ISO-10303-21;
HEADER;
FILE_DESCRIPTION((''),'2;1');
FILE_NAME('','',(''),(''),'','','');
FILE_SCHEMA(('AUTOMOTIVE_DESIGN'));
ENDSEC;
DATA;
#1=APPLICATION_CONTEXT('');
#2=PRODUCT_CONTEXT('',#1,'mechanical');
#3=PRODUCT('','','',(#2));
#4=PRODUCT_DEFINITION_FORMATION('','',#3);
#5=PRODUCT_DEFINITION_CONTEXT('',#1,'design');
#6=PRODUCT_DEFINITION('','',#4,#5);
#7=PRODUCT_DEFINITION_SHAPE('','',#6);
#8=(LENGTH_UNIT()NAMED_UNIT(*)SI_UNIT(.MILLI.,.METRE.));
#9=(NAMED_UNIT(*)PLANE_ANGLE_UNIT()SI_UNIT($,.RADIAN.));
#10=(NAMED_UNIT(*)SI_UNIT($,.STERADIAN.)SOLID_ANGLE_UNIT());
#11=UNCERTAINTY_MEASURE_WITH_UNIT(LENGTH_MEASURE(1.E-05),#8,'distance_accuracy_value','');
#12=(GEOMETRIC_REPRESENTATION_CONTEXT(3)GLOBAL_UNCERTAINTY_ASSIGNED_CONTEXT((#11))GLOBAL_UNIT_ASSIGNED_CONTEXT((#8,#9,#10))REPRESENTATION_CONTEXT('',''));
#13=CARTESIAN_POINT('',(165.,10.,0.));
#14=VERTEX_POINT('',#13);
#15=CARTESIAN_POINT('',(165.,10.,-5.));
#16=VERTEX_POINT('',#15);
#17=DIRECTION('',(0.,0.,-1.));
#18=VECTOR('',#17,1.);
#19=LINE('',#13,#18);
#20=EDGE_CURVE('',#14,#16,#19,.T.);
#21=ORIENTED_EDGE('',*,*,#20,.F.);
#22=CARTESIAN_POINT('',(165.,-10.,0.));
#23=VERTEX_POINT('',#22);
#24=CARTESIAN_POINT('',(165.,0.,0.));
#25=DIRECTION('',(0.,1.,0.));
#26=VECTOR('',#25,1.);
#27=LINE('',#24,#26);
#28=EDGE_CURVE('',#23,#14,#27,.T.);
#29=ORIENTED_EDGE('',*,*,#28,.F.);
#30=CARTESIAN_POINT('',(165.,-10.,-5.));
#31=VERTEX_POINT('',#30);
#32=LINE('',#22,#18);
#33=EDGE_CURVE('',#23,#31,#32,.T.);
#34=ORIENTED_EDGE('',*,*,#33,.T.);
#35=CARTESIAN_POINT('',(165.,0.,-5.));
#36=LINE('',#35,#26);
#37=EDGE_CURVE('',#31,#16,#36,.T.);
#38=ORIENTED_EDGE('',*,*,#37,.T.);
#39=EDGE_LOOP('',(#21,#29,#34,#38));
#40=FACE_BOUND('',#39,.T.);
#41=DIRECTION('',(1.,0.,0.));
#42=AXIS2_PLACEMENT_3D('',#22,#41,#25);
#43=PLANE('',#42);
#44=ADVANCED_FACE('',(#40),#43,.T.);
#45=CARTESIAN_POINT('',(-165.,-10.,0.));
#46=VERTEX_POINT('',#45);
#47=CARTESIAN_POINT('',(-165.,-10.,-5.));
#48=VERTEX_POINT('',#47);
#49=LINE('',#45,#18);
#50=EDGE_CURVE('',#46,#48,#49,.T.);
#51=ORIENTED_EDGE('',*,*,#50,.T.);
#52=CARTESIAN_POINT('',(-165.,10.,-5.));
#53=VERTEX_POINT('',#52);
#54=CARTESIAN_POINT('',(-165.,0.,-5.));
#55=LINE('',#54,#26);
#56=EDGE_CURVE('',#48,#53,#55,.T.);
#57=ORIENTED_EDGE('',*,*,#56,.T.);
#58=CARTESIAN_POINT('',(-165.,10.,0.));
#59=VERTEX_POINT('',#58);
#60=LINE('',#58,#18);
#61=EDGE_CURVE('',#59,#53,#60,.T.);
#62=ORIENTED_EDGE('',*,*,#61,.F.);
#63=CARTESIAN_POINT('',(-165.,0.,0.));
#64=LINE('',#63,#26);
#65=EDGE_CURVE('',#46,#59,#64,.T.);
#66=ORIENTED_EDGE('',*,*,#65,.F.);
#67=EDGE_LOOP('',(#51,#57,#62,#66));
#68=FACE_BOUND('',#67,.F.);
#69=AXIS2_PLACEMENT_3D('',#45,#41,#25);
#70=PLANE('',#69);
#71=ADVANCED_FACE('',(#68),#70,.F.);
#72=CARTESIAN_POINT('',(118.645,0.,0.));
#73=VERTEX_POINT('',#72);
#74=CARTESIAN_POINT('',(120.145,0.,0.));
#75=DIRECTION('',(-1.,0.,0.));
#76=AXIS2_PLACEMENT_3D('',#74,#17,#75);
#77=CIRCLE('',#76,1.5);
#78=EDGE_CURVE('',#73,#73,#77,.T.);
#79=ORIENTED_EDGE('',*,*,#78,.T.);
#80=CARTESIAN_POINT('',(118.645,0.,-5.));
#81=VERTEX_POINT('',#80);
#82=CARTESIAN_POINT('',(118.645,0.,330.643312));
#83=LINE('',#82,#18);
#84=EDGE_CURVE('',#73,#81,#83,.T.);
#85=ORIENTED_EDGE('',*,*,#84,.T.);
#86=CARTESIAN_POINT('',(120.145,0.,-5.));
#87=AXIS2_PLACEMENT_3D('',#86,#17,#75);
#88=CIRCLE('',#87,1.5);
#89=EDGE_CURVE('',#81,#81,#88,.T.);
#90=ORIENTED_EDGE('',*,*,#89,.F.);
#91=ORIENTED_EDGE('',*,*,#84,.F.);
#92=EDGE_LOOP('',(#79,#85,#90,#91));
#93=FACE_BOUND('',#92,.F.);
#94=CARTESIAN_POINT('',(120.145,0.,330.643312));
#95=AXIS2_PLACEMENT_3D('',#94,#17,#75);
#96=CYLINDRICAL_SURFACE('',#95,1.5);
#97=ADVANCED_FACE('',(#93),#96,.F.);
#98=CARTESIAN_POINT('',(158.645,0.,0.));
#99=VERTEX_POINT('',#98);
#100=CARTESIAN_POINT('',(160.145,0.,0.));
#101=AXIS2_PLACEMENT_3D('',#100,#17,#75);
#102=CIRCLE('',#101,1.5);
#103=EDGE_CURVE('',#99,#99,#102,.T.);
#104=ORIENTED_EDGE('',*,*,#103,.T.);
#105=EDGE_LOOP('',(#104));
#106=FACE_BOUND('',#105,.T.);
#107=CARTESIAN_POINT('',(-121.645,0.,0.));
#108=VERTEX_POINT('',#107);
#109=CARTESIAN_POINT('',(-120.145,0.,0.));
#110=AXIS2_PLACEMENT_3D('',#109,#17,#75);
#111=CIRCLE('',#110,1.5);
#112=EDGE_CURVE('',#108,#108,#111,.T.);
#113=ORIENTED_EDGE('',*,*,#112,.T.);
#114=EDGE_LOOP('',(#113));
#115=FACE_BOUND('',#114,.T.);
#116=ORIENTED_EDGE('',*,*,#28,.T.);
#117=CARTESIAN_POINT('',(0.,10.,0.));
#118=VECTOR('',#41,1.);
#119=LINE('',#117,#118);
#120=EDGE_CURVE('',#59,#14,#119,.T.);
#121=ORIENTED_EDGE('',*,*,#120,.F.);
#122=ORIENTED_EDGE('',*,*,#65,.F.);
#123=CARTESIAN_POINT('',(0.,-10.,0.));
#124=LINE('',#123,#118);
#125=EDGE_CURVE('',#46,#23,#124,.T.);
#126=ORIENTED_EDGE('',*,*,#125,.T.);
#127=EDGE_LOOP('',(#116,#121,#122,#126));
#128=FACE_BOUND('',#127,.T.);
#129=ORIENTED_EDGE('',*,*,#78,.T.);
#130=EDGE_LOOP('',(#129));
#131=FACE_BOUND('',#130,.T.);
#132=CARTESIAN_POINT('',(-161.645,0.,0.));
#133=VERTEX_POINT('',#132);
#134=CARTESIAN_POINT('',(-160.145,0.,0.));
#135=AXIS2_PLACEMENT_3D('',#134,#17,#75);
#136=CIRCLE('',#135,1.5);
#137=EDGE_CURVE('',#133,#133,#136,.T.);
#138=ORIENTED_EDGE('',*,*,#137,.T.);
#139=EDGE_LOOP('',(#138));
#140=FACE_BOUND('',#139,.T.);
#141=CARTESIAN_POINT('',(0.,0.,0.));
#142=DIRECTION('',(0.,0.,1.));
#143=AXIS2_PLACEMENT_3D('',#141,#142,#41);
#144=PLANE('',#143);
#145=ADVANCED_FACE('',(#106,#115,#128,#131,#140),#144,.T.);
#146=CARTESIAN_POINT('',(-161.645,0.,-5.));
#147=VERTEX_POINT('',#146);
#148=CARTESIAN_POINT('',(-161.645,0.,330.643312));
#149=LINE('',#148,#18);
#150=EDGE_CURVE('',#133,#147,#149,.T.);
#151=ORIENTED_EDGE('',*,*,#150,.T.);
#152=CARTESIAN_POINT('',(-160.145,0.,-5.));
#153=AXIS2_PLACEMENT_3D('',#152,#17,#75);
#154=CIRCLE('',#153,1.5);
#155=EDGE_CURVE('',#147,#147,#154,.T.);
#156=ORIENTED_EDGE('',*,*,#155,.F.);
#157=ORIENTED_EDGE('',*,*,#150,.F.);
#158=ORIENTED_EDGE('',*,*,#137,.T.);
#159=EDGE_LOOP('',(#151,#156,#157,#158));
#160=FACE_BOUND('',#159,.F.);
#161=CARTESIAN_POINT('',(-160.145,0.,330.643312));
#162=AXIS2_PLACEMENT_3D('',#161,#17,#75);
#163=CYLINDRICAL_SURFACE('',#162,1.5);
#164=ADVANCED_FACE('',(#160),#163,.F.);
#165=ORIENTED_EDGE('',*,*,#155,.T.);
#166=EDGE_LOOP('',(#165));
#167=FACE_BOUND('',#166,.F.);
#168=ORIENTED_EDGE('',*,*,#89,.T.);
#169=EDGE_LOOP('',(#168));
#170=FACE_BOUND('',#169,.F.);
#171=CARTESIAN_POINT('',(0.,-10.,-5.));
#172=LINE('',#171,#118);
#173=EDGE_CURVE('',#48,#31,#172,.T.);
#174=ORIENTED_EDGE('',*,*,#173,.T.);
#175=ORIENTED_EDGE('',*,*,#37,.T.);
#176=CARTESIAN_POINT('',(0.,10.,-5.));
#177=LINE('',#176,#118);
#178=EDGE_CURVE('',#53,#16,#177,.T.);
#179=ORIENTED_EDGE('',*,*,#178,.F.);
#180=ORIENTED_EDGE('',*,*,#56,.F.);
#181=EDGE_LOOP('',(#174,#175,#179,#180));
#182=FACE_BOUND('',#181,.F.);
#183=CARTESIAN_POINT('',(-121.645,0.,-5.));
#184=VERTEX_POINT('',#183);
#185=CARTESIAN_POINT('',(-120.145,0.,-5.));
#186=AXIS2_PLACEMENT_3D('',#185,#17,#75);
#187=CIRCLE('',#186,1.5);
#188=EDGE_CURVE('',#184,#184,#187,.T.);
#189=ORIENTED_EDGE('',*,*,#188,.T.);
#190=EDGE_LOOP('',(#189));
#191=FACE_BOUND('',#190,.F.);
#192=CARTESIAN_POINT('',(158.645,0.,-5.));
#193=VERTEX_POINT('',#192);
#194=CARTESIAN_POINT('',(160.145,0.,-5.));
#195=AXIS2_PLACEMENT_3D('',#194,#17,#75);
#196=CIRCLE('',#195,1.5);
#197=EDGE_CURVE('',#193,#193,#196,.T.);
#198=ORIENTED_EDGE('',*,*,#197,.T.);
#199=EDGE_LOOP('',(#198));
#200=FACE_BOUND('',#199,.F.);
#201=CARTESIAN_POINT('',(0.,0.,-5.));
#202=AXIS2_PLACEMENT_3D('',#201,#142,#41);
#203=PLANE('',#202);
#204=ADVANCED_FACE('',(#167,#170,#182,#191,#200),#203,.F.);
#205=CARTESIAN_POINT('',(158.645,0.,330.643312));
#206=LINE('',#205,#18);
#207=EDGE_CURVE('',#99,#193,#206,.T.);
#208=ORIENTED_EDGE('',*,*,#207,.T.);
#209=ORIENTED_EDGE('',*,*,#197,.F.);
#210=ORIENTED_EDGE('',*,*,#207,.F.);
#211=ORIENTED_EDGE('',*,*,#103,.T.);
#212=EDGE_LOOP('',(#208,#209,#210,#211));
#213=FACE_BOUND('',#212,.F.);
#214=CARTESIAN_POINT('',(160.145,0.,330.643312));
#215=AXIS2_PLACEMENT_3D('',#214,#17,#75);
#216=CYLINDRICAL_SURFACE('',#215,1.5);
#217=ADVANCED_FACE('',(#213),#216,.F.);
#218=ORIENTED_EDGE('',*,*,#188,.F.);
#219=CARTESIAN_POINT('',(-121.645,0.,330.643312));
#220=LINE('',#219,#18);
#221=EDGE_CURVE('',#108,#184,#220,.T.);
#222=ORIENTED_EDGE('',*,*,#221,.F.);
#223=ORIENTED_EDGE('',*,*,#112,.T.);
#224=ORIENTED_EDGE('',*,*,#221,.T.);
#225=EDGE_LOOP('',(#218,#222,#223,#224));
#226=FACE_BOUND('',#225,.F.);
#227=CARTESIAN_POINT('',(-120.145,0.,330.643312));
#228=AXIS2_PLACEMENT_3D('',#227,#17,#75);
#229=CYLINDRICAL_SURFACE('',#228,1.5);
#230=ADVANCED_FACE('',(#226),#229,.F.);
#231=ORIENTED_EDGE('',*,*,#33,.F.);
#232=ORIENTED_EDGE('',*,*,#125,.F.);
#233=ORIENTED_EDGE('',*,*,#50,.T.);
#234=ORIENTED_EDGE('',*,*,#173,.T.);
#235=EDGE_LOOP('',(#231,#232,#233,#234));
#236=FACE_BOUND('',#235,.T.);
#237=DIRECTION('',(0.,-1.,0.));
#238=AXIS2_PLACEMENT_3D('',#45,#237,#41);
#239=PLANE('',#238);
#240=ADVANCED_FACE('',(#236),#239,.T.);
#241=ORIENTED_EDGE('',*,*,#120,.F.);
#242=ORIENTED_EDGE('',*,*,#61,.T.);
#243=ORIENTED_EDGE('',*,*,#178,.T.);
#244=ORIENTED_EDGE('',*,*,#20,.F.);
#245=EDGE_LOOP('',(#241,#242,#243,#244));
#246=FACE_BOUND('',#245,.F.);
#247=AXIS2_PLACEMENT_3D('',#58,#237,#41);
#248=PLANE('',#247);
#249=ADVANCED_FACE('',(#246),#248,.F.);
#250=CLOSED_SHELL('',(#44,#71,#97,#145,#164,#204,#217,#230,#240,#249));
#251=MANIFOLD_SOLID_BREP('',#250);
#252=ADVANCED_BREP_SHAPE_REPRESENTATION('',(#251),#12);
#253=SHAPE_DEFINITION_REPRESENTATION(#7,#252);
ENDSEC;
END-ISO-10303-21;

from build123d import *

# Parameters (mm, degrees)
F0_W     = 330
F0_H     = 20
F1_DEPTH = 5
F2_D     = 3
F3_D     = 3


with BuildPart() as f1:
    # F0 (on Top) → F1 (new body)
    with BuildSketch(Plane.XY):
        Rectangle(F0_W, F0_H)
    extrude(amount=-F1_DEPTH)

    # F2 (through all)
    with Locations(Plane.XY):
        with Locations((-160.145, 0), (160.145, 0)):
            Hole(F2_D / 2)

    # F3 (through all)
    with Locations(Plane.XY):
        with Locations((-120.145, 0), (120.145, 0)):
            Hole(F3_D / 2)


solid = f1.part
